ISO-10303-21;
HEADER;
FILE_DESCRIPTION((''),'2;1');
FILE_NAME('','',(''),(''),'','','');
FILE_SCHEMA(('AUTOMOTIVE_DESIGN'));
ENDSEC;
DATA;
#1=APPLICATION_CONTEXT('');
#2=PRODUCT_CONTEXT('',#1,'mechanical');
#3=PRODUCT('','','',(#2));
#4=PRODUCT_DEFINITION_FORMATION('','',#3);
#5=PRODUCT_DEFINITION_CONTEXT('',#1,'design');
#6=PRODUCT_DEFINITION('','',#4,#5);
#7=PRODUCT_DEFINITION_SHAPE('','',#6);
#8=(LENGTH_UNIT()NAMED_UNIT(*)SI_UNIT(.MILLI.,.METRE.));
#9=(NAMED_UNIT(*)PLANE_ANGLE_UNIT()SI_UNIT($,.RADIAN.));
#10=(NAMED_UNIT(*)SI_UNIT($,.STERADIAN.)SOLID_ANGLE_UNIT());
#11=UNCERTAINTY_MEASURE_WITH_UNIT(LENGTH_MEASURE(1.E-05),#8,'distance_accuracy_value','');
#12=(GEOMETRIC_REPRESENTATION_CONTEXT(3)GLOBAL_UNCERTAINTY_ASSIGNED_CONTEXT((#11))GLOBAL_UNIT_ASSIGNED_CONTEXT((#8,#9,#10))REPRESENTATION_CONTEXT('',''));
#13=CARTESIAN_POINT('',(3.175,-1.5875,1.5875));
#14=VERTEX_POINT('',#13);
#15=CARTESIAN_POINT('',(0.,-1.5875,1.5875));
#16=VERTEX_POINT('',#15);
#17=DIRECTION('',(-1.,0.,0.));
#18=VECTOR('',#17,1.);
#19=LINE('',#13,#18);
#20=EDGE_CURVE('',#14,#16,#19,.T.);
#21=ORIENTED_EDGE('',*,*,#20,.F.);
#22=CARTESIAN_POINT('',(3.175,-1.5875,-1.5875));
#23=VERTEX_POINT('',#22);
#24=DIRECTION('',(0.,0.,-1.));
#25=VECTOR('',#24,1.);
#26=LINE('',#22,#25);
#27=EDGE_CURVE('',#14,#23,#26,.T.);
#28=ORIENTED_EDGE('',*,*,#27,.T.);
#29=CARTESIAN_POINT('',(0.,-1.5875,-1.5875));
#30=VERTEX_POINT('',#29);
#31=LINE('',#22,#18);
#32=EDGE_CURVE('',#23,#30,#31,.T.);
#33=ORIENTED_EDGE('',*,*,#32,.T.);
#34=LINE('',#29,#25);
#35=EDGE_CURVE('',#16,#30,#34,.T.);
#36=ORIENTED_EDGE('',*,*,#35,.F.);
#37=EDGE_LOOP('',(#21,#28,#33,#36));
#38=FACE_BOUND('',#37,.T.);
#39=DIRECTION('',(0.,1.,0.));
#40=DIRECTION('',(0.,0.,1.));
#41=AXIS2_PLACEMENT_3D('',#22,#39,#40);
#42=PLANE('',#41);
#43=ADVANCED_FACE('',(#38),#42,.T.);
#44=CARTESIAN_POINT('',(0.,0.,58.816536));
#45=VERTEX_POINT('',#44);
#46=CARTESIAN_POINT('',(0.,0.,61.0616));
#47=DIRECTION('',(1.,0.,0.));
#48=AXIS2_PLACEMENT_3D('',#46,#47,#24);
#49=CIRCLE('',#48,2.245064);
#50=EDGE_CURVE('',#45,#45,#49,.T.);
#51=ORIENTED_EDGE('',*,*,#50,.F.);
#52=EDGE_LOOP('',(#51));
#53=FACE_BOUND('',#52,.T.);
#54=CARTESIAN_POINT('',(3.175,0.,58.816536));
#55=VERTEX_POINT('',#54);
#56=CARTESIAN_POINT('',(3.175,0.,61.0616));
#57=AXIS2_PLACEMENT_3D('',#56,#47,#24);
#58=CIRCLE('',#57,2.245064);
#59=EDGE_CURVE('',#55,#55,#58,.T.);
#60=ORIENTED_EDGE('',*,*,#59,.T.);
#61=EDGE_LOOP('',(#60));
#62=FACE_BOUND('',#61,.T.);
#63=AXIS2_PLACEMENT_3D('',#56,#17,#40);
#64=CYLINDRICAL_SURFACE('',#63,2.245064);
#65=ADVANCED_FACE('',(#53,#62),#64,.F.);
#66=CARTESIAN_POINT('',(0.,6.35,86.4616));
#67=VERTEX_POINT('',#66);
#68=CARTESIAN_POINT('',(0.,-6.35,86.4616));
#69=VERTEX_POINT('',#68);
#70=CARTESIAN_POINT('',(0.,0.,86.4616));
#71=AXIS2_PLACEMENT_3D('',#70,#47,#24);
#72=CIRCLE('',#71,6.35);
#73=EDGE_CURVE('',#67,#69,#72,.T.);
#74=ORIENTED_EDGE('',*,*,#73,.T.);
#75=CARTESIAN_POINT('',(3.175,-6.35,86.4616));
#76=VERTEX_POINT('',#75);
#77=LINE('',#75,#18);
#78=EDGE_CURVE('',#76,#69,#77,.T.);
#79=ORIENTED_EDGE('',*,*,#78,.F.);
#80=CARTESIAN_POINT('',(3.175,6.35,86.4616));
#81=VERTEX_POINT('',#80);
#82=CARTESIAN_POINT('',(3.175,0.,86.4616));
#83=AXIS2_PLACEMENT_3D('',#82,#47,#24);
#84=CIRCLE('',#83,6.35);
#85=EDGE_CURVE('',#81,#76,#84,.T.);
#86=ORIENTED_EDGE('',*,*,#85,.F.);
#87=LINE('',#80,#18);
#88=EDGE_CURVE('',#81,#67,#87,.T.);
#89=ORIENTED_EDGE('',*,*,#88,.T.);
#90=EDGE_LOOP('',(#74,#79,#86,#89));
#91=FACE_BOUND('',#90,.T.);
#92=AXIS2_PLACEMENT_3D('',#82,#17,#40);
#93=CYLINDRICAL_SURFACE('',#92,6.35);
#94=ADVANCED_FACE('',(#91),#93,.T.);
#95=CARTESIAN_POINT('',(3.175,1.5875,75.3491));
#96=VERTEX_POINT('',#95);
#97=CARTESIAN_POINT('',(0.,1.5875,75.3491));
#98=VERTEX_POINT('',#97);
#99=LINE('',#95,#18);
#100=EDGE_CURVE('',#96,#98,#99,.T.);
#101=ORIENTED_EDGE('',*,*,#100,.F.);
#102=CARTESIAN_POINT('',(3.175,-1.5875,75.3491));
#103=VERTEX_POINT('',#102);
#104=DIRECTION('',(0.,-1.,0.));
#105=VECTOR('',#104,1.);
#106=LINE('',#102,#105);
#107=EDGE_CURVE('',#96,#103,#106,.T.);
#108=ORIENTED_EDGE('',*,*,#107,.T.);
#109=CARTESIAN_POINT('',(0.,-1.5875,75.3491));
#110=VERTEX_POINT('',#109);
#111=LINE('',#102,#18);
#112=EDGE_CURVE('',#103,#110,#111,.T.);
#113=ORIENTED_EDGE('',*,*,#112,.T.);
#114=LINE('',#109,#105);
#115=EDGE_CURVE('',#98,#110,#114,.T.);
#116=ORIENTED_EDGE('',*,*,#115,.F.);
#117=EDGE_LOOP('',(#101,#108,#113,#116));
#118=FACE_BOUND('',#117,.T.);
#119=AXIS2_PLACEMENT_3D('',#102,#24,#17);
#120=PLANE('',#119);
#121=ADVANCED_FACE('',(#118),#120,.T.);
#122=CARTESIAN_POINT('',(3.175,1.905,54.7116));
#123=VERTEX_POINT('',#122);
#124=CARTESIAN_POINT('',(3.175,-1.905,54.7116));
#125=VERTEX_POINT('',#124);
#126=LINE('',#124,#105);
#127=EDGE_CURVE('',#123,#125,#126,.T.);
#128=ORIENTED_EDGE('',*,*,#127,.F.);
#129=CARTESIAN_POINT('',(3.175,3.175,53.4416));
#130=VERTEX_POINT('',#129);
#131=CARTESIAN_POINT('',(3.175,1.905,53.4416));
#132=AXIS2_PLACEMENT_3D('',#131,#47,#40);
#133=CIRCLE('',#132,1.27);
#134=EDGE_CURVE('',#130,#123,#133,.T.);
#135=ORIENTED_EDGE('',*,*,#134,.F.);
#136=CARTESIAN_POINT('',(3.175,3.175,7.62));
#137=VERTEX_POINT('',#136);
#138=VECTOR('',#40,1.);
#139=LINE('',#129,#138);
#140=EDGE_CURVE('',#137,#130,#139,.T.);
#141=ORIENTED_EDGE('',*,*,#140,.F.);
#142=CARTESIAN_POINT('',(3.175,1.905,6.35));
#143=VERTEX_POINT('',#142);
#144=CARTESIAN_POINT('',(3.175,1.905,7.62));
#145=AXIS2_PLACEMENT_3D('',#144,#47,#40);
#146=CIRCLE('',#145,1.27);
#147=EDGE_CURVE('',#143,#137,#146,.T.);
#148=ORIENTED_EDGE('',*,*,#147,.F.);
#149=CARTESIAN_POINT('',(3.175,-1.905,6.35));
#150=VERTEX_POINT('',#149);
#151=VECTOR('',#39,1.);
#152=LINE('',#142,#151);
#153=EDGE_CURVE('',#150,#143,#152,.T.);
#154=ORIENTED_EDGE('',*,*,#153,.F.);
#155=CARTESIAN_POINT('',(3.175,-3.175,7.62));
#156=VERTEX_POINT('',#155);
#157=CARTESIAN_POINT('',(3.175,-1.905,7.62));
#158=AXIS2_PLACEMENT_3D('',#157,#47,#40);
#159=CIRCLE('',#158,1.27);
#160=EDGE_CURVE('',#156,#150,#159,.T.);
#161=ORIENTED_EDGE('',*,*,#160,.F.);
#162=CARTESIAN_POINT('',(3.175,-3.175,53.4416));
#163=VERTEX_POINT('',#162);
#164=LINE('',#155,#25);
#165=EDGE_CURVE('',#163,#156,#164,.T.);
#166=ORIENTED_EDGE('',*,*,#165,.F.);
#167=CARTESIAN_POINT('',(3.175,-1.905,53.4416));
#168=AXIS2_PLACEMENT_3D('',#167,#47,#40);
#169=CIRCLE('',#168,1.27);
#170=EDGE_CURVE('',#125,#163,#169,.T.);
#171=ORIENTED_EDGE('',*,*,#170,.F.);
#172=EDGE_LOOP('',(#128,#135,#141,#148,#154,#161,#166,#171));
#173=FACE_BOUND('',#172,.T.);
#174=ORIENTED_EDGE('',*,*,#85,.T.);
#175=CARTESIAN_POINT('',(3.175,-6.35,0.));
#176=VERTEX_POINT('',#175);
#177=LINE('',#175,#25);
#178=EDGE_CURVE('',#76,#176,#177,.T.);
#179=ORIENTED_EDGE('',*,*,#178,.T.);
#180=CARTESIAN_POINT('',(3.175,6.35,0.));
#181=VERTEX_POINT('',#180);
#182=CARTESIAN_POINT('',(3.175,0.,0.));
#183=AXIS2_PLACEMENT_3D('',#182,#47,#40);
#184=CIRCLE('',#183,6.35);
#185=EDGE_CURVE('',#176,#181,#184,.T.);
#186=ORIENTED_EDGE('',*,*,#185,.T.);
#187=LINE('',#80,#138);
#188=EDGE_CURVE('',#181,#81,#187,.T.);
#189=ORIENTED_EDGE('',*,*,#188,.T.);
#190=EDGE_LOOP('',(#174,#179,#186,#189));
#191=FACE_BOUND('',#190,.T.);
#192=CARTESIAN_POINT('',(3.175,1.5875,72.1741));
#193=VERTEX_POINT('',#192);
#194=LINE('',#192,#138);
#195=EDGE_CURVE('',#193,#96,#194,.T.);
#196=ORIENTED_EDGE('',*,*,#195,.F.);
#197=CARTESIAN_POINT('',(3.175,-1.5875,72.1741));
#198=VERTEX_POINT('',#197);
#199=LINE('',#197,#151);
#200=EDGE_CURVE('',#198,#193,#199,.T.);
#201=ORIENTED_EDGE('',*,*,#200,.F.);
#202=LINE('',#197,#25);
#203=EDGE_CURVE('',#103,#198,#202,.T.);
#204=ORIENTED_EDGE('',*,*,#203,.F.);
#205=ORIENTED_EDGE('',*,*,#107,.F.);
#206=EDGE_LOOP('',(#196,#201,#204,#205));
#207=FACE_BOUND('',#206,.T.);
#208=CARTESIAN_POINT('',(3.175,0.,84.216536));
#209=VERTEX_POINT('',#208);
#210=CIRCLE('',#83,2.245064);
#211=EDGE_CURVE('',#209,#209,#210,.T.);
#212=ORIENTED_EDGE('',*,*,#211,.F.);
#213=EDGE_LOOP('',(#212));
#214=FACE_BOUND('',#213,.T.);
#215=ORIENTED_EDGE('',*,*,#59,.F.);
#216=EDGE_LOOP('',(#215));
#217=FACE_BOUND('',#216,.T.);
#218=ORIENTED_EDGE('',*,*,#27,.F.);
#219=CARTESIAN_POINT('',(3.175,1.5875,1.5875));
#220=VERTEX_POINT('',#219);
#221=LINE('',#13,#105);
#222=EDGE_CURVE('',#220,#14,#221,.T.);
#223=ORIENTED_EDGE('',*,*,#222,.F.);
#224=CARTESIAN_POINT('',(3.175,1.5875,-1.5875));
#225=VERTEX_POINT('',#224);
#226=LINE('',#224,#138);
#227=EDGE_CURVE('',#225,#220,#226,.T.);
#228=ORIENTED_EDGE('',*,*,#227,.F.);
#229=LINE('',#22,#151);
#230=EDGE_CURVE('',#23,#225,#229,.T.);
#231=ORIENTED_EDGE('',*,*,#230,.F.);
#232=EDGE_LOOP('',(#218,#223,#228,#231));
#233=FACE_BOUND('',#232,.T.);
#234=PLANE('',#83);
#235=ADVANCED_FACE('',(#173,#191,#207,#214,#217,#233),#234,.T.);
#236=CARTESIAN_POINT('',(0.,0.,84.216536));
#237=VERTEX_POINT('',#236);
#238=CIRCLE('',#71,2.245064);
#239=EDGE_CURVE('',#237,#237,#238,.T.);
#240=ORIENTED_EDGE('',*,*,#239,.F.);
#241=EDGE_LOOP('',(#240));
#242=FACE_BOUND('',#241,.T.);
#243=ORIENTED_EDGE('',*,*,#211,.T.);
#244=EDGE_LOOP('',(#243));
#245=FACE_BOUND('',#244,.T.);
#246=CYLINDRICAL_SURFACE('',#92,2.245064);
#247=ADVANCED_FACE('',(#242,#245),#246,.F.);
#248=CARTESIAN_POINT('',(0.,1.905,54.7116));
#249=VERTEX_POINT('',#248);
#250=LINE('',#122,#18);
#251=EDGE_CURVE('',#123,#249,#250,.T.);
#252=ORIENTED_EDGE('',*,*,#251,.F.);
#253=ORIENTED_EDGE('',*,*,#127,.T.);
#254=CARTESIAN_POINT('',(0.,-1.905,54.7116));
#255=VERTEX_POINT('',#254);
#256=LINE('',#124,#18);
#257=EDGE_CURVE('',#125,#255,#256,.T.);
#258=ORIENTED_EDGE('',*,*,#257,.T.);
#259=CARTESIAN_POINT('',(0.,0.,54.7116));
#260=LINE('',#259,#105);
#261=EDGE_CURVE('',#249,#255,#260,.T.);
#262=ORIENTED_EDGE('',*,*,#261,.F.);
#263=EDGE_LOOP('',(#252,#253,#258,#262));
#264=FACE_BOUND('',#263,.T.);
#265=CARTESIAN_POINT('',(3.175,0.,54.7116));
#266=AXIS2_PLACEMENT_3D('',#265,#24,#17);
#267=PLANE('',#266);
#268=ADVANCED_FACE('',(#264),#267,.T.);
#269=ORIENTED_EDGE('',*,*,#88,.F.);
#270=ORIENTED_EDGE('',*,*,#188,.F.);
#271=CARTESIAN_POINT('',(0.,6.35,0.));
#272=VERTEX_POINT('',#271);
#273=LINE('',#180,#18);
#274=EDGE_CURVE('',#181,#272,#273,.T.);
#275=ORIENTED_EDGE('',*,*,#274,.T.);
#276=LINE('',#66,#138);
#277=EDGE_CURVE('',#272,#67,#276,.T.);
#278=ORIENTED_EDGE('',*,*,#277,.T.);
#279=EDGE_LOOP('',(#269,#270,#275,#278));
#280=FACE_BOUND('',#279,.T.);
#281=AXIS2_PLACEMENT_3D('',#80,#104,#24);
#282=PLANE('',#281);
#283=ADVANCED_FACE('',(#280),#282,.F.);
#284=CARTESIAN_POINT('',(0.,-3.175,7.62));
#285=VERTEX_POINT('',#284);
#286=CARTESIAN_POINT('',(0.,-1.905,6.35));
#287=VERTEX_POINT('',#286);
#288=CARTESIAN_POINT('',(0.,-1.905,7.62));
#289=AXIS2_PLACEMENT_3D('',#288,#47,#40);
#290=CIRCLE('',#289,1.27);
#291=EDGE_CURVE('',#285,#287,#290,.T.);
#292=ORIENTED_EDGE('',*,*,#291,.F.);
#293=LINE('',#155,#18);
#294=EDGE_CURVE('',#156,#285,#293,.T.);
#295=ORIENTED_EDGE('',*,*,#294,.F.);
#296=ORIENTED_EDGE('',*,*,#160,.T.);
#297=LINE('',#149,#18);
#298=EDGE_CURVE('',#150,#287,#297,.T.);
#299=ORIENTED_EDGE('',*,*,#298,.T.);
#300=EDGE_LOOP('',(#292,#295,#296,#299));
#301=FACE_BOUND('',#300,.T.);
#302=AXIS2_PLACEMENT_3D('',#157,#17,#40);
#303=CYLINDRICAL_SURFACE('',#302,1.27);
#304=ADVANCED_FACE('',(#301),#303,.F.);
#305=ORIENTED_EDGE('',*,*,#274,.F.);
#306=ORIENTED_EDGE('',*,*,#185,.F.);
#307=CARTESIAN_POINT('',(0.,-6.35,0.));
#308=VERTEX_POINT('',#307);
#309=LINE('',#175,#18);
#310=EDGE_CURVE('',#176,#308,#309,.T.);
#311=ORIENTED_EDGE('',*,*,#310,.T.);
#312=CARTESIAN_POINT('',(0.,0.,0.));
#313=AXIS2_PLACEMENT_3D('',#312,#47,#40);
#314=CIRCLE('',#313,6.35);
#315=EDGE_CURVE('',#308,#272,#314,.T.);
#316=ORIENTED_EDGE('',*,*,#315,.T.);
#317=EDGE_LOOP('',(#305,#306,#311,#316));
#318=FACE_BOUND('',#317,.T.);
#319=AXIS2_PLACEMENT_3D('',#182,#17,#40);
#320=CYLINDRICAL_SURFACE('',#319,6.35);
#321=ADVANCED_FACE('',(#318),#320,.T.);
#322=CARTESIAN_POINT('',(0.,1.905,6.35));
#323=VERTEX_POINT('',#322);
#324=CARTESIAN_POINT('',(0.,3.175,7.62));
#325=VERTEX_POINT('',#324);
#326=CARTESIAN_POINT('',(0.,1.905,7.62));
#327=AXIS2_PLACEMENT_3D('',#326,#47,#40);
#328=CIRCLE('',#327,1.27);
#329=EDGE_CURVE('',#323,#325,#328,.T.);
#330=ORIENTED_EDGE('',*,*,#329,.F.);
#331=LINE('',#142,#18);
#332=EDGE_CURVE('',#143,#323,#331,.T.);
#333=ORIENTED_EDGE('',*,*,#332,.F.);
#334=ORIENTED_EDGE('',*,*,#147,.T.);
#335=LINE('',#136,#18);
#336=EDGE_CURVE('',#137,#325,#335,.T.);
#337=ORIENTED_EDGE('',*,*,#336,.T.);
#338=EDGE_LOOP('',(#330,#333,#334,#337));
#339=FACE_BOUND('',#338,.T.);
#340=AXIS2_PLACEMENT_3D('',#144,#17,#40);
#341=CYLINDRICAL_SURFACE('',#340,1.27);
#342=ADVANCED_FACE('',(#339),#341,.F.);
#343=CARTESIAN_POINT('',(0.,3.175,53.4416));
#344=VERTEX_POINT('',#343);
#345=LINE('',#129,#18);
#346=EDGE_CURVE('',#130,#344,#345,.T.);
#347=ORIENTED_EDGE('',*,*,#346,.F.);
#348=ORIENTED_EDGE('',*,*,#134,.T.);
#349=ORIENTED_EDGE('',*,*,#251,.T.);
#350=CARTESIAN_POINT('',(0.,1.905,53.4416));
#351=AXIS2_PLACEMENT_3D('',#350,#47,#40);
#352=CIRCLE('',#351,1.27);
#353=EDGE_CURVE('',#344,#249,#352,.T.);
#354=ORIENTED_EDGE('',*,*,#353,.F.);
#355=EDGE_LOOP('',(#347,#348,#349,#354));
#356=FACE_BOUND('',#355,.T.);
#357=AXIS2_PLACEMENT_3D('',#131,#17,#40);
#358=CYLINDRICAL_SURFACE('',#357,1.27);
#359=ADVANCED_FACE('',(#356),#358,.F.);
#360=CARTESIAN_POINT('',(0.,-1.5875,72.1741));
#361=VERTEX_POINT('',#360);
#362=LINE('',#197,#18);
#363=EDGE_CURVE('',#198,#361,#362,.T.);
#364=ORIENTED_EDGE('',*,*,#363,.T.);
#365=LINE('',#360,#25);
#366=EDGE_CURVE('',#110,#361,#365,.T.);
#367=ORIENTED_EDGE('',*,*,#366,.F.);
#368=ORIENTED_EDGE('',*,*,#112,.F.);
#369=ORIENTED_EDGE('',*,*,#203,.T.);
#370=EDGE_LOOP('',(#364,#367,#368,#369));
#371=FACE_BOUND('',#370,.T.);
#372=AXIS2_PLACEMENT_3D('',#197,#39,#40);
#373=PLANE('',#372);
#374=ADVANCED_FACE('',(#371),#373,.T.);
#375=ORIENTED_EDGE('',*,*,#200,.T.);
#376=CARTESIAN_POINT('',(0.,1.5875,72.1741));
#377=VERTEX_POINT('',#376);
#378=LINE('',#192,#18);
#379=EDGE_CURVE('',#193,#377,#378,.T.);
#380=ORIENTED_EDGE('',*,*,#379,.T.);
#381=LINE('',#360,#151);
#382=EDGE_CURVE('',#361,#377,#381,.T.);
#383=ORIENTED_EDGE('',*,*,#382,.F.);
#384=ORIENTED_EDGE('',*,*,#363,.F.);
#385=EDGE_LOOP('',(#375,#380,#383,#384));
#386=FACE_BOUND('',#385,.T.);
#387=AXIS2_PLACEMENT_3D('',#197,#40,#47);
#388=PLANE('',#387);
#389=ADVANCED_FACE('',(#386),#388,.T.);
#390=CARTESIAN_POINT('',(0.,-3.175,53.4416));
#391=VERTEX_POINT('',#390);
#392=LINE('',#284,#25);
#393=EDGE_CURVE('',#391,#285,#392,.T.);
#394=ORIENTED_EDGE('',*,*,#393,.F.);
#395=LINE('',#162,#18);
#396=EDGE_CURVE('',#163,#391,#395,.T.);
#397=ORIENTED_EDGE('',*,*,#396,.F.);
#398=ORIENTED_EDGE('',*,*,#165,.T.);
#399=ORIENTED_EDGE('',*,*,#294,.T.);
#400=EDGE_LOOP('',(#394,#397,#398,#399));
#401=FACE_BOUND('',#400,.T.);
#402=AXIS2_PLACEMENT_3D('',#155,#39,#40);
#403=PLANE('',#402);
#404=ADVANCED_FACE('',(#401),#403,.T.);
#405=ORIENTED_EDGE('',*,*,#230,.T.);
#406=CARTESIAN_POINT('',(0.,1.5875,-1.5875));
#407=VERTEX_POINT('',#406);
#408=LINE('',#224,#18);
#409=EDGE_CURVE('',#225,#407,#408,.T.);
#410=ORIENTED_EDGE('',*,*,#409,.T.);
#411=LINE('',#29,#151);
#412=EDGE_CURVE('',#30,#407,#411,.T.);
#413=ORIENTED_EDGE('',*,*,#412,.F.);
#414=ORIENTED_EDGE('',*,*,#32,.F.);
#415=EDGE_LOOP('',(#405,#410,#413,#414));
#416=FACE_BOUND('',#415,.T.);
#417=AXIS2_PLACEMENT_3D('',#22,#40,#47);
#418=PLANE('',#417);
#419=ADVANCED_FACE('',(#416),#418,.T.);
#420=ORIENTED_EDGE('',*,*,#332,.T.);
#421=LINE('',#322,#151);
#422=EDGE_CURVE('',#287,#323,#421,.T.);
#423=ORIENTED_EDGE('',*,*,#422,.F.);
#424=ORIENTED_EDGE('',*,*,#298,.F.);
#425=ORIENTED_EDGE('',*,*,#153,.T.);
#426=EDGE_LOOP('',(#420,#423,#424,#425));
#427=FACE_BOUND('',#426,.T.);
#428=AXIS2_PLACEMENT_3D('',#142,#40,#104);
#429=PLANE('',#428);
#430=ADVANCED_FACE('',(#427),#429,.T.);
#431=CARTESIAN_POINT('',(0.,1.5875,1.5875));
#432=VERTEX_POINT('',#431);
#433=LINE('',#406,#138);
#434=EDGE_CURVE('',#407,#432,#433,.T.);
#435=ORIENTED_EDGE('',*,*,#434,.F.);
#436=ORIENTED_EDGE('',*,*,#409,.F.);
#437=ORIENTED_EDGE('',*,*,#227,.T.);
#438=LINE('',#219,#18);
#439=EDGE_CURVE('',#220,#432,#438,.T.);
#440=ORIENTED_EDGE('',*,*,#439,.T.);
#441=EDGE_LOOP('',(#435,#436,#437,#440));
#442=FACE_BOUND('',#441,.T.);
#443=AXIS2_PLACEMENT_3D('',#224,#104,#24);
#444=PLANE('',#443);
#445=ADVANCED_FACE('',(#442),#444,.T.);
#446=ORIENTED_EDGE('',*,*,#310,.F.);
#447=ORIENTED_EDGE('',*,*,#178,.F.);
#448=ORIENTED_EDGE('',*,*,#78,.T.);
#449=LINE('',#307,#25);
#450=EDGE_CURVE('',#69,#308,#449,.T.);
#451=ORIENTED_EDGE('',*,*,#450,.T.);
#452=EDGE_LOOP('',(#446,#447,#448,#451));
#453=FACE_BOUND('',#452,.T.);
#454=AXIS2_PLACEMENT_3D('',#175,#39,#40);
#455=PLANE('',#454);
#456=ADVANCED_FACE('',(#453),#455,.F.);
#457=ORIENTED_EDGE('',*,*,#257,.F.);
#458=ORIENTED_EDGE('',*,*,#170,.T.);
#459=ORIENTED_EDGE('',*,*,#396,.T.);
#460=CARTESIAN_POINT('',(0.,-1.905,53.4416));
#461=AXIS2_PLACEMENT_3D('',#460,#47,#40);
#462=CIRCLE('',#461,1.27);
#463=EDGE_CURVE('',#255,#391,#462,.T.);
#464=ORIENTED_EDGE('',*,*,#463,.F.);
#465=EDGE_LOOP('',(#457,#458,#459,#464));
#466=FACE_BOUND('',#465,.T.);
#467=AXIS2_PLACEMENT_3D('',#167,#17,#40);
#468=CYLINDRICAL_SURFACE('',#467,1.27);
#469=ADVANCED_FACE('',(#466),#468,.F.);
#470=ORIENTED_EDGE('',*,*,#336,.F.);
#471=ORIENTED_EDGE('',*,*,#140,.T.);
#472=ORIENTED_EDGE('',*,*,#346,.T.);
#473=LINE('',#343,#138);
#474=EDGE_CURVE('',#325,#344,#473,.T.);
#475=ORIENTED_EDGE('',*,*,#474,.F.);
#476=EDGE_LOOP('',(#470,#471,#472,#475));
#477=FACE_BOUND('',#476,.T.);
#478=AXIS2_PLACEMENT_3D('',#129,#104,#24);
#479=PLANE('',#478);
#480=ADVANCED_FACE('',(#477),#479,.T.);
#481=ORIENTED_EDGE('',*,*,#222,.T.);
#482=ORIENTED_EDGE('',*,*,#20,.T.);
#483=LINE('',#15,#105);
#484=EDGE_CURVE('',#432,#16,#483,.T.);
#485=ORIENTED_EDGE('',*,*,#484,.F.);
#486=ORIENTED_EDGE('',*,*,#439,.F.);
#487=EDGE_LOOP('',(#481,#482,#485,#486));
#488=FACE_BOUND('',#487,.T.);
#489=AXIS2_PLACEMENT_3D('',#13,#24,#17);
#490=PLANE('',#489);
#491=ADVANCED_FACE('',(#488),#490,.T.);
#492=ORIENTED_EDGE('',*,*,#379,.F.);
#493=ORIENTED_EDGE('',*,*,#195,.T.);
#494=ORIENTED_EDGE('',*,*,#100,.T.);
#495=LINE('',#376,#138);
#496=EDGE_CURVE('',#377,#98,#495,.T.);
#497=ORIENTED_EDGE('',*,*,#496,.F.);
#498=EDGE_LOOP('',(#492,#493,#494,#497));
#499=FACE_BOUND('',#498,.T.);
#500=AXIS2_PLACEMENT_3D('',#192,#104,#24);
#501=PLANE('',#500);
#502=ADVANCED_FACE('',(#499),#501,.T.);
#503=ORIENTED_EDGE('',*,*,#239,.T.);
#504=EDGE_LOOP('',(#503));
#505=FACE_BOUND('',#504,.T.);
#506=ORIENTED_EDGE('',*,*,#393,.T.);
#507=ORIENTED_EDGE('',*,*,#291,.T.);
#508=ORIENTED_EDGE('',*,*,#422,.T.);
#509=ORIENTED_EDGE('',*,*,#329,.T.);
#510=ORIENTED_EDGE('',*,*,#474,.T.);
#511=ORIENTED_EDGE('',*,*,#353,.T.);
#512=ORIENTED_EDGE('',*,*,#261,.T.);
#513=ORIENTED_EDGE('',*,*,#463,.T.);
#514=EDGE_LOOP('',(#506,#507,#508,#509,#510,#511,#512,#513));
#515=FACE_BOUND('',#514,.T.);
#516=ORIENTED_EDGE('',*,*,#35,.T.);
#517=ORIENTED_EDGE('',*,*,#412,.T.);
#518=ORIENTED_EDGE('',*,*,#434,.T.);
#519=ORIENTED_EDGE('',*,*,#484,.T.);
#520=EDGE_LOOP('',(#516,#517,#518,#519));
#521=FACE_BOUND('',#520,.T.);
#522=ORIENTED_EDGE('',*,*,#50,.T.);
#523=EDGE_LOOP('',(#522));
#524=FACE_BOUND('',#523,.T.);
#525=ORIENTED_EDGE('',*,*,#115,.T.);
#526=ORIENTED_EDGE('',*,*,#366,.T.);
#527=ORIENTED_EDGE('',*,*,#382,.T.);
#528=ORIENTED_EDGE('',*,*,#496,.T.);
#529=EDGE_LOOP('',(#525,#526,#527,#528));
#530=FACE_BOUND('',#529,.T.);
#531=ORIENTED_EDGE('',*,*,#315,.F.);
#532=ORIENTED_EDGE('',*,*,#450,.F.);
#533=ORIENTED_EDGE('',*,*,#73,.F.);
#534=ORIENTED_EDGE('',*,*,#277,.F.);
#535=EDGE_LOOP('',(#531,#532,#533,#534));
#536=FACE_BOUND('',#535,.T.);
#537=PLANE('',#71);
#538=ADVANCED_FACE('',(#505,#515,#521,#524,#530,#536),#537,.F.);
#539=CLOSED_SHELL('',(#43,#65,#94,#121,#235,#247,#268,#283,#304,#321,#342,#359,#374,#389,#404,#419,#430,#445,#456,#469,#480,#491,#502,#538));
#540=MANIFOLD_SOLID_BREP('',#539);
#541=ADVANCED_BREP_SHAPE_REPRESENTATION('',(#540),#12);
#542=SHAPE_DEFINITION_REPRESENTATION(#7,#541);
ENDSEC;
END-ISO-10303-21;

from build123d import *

# Parameters (mm, degrees)
SKETCH1_R           = 2.24506403
SKETCH1_W           = 3.175
SKETCH1_H           = 3.175
BOSS_EXTRUDE1_DEPTH = 3.175


with BuildPart() as part:
    # Sketch1 → Boss-Extrude1 (new body)
    with BuildSketch(Plane(origin=(0, 0, 0), x_dir=(0, 0, -1), z_dir=(1, 0, 0))):
        with BuildLine():
            Line((-86.4616, 6.35), (0, 6.35))
            ThreePointArc((0, 6.35), (6.35, 0), (0, -6.35))
            Line((0, -6.35), (-86.4616, -6.35))
            ThreePointArc((-86.4616, -6.35), (-92.8116, 0), (-86.4616, 6.35))
        make_face()
        with Locations((-61.0616, 0)):
            Circle(SKETCH1_R, mode=Mode.SUBTRACT)
        with Locations((-86.4616, 0)):
            Circle(SKETCH1_R, mode=Mode.SUBTRACT)
        with Locations((-73.7616, 0)):
            Rectangle(SKETCH1_W, SKETCH1_H, mode=Mode.SUBTRACT)
        with BuildLine():
            Line((-54.7116, 0), (-54.7116, 1.905))
            ThreePointArc((-54.7116, 1.905), (-54.339625612, 2.803025612), (-53.4416, 3.175))
            Line((-53.4416, 3.175), (-7.62, 3.175))
            ThreePointArc((-7.62, 3.175), (-6.721974388, 2.803025612), (-6.35, 1.905))
            Line((-6.35, 1.905), (-6.35, -1.905))
            ThreePointArc((-6.35, -1.905), (-6.721974388, -2.803025612), (-7.62, -3.175))
            Line((-7.62, -3.175), (-53.4416, -3.175))
            ThreePointArc((-53.4416, -3.175), (-54.339625612, -2.803025612), (-54.7116, -1.905))
            Line((-54.7116, -1.905), (-54.7116, 0))
        make_face(mode=Mode.SUBTRACT)
        Rectangle(SKETCH1_W, SKETCH1_H, mode=Mode.SUBTRACT)
    extrude(amount=BOSS_EXTRUDE1_DEPTH)


solid = part.part
